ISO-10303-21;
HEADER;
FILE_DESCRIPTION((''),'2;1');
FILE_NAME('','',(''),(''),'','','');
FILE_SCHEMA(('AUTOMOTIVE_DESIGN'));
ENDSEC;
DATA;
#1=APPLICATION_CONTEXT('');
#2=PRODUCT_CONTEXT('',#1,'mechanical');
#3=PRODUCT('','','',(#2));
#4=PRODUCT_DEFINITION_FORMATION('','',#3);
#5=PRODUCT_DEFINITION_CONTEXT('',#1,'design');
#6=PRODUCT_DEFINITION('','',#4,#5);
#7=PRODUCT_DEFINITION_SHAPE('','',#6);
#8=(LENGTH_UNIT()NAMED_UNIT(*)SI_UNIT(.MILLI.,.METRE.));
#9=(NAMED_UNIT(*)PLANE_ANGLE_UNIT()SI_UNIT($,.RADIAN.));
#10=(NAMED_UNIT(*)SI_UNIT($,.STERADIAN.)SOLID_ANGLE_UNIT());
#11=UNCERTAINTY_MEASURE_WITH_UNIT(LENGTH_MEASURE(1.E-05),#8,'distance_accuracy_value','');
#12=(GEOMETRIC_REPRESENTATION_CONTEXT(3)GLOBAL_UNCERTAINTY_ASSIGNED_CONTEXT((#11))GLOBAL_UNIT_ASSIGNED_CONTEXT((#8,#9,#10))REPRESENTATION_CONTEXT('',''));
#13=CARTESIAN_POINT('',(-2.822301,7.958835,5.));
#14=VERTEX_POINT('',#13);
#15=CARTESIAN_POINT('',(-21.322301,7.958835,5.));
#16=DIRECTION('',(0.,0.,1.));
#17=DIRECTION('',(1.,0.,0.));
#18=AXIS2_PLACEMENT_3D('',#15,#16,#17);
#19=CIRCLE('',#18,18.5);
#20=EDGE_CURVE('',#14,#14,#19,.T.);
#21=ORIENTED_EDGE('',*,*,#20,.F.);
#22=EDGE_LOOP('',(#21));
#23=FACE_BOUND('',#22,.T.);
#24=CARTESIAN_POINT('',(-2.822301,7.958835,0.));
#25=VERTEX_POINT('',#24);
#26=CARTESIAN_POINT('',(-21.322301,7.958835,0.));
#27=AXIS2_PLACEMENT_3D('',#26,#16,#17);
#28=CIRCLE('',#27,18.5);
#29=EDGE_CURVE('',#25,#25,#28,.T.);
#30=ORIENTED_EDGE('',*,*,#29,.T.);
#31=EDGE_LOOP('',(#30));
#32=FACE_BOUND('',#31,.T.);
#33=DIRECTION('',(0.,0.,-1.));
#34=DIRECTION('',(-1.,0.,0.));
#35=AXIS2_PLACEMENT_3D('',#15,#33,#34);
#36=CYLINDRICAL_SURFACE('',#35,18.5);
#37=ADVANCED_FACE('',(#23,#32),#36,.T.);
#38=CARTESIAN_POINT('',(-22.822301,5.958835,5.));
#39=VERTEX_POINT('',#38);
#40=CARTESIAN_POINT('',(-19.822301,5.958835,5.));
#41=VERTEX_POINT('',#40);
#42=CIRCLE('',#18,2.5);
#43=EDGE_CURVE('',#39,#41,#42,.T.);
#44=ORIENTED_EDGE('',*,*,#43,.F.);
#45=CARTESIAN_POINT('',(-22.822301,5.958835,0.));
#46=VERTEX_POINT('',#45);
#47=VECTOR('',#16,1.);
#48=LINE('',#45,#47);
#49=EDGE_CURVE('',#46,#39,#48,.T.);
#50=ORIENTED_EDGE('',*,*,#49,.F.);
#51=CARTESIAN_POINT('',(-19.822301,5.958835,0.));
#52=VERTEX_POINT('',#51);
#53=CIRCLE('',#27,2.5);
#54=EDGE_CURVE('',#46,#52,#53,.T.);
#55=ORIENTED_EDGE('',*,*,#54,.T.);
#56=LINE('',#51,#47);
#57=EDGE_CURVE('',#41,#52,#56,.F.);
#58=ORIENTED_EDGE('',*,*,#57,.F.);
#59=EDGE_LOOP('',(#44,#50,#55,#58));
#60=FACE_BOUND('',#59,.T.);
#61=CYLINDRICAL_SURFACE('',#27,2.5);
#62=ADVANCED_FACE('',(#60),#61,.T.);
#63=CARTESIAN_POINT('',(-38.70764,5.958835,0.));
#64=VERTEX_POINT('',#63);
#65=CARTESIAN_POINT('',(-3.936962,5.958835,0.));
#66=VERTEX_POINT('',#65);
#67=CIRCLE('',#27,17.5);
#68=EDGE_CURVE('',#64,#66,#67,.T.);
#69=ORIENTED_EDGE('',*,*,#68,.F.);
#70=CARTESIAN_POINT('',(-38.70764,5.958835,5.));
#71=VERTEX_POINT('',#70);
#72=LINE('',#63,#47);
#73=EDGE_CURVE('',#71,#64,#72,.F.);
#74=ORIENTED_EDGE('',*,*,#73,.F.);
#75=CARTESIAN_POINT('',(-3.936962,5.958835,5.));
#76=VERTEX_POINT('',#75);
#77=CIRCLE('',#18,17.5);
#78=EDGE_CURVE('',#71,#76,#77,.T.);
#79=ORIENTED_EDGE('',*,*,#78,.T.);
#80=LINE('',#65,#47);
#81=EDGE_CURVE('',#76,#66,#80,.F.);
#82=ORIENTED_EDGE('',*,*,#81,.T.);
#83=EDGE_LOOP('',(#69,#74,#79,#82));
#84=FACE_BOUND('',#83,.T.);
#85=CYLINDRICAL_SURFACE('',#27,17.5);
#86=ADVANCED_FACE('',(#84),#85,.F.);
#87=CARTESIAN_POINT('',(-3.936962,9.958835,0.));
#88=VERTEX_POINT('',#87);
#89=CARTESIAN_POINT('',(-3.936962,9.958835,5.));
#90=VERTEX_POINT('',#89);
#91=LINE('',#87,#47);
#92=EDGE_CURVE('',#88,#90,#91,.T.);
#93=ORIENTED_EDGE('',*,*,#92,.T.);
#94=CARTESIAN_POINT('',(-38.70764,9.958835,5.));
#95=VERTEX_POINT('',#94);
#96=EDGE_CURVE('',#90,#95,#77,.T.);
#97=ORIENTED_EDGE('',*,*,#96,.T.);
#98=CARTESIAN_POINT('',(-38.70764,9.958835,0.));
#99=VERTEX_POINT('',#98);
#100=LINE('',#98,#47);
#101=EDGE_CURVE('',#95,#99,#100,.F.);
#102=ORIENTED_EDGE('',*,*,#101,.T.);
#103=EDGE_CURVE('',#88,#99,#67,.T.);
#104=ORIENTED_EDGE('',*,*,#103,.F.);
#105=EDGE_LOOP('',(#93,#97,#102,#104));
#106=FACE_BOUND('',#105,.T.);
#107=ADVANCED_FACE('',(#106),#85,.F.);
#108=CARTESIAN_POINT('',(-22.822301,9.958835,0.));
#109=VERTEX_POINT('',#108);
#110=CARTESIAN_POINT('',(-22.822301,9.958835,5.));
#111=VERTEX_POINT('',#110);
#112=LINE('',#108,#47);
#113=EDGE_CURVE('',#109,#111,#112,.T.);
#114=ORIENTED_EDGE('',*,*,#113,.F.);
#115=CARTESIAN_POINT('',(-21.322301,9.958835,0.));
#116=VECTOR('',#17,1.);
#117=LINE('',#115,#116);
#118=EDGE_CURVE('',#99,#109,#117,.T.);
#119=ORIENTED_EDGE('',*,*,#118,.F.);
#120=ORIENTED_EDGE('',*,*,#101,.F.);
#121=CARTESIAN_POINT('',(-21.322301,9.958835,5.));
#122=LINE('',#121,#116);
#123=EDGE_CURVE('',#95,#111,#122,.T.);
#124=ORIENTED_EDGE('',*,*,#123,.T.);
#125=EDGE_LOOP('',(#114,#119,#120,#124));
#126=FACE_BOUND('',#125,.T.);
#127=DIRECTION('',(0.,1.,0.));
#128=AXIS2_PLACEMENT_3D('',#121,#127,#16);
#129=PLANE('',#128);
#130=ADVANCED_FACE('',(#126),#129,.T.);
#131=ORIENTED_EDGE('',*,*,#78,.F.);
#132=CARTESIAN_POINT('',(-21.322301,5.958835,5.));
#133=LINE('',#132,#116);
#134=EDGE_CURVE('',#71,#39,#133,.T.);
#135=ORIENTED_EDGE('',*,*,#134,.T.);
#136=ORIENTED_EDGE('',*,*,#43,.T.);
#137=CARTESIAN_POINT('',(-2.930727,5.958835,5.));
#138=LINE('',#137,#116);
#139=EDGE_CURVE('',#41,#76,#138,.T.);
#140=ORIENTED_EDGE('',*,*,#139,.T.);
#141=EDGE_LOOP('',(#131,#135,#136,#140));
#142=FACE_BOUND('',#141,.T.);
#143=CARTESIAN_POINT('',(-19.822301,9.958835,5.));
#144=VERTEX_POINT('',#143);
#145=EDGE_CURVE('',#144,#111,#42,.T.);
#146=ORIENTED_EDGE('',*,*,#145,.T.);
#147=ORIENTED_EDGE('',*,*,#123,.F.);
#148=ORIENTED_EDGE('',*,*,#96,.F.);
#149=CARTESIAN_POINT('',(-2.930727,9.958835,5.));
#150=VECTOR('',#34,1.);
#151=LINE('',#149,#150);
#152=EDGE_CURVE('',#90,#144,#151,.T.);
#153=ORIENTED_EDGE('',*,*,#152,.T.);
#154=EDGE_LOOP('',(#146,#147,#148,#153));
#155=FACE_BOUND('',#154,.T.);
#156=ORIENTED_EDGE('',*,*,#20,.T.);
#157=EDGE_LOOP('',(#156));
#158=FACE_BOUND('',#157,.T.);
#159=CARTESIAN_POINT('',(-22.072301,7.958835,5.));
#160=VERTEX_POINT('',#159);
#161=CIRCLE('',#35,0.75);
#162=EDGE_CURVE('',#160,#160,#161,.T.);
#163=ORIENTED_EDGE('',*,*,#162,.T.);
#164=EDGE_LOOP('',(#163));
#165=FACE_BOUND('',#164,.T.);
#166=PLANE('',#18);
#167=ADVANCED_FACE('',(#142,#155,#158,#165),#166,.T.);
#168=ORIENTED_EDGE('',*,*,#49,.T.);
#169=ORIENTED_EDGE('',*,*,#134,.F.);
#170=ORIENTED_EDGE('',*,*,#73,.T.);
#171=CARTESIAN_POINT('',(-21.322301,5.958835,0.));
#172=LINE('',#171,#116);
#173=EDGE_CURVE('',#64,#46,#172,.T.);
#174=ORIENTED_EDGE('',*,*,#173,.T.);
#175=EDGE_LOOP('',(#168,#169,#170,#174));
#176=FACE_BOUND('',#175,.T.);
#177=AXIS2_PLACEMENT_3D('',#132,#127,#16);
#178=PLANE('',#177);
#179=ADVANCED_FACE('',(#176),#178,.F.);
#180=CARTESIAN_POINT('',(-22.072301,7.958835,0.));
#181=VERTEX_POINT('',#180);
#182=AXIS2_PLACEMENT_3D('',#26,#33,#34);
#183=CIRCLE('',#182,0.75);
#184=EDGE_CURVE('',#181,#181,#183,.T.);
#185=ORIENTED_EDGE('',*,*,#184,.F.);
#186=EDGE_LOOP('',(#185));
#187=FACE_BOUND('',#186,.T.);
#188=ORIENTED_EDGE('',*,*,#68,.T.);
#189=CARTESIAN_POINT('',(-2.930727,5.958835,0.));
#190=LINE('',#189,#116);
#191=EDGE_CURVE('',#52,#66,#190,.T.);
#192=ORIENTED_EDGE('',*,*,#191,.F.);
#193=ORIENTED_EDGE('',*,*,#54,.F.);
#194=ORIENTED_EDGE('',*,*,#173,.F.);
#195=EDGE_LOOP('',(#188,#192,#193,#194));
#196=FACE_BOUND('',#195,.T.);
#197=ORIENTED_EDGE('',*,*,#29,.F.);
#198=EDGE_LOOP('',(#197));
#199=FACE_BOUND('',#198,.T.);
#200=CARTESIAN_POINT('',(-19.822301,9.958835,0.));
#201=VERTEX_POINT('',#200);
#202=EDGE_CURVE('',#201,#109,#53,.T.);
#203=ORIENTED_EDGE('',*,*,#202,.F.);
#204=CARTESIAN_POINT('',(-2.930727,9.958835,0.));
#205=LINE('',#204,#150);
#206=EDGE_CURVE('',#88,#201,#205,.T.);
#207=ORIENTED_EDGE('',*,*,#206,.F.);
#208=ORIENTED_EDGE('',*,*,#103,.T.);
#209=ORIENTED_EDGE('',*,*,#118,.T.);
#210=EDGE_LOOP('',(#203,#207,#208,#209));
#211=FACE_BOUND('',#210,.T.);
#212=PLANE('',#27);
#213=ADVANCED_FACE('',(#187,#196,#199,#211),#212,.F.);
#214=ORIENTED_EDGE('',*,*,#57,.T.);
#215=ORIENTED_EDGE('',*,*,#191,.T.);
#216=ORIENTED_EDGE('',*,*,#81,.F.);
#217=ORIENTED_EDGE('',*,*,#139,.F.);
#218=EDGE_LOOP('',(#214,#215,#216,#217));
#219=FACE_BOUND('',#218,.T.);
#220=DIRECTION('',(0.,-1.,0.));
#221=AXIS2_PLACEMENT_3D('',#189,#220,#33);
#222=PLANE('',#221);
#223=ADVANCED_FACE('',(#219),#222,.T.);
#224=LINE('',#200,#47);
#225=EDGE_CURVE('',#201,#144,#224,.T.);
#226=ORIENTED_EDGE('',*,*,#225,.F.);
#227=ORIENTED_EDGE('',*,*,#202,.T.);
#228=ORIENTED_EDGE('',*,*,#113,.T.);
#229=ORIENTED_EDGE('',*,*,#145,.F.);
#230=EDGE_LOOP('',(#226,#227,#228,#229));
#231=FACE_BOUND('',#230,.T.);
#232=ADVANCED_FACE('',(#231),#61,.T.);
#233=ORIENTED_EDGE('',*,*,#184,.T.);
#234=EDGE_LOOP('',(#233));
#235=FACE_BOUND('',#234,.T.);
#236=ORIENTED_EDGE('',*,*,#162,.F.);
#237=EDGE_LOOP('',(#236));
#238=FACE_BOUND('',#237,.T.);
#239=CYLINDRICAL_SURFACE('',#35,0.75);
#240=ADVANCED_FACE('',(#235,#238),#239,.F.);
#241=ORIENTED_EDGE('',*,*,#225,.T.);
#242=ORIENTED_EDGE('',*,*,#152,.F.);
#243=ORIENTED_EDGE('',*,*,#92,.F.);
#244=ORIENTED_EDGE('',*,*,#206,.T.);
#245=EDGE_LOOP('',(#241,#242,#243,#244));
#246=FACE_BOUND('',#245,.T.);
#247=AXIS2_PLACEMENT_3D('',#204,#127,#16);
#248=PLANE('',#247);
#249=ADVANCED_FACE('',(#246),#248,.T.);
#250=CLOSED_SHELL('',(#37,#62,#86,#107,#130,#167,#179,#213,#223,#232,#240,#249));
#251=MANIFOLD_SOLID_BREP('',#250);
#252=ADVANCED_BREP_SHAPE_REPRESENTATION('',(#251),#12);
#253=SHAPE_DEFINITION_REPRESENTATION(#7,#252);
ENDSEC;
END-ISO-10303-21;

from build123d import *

# Parameters (mm, degrees)
CROQUIS1_R               = 18.5
SALIENTE_EXTRUIR1_DEPTH  = 5
CROQUIS2_R               = 0.75
CORTAR_EXTRUIR1_DEPTH    = 5
CROQUIS3_R               = 17.5
CROQUIS3_R_2             = 2.5
CORTAR_EXTRUIR4_DEPTH    = 5
SALIENTE_EXTRUIR11_START = -5
CROQUIS6_W               = 17.427059278
CROQUIS6_H               = 4
SALIENTE_EXTRUIR11_DEPTH = 5
CROQUIS8_W               = 17.261171747
CROQUIS8_H               = 4
SALIENTE_EXTRUIR12_DEPTH = 5


with BuildPart() as part:
    # Croquis1 → Saliente-Extruir1 (new body)
    with BuildSketch(Plane.XY):
        with Locations((-21.322301086, 7.958835432)):
            Circle(CROQUIS1_R)
    extrude(amount=SALIENTE_EXTRUIR1_DEPTH)

    # Croquis2 → Cortar-Extruir1 (cut)
    with BuildSketch(Plane(origin=(0, 0, 0), x_dir=(-1, 0, 0), z_dir=(0, 0, -1))):
        with Locations((21.322301086, 7.958835432)):
            Circle(CROQUIS2_R)
    extrude(amount=-CORTAR_EXTRUIR1_DEPTH, mode=Mode.SUBTRACT)

    # Croquis3 → Cortar-Extruir4 (cut)
    with BuildSketch(Plane.XY.offset(5)):
        with Locations((-21.322301086, 7.958835432)):
            Circle(CROQUIS3_R)
        with Locations((-21.322301086, 7.958835432)):
            Circle(CROQUIS3_R_2, mode=Mode.SUBTRACT)
    extrude(amount=-CORTAR_EXTRUIR4_DEPTH, mode=Mode.SUBTRACT)


with BuildPart() as cortar_extruir4_piece_1:
    # of the separate pieces the step leaves, piece 1, a body of its own (cortar_extruir4_pieces)
    add(part.part.solids().sort_by_distance((-2.822301086, 7.958835432, 0))[0])



with BuildPart() as cortar_extruir4_piece_2:
    # of the separate pieces the step leaves, piece 2, a body of its own (cortar_extruir4_pieces)
    add(part.part.solids().sort_by_distance((-18.822301086, 7.958835432, 0))[0])


with BuildPart() as cortar_extruir4_piece_1_1:
    add(cortar_extruir4_piece_1.part)

    add(cortar_extruir4_piece_2.part)  # Saliente-Extruir11 merges Cortar-Extruir4 piece 2
    # Croquis6 → Saliente-Extruir11 (add)
    with BuildSketch(Plane.XY.offset(5).offset(SALIENTE_EXTRUIR11_START)):
        with Locations((-31.000345605, 7.958835432)):
            Rectangle(CROQUIS6_W, CROQUIS6_H)
    extrude(amount=SALIENTE_EXTRUIR11_DEPTH)

    # Croquis8 → Saliente-Extruir12 (add)
    with BuildSketch(Plane.XY.offset(5)):
        with Locations((-11.561312802, 7.958835432)):
            Rectangle(CROQUIS8_W, CROQUIS8_H)
    extrude(amount=-SALIENTE_EXTRUIR12_DEPTH)


solid = cortar_extruir4_piece_1_1.part
